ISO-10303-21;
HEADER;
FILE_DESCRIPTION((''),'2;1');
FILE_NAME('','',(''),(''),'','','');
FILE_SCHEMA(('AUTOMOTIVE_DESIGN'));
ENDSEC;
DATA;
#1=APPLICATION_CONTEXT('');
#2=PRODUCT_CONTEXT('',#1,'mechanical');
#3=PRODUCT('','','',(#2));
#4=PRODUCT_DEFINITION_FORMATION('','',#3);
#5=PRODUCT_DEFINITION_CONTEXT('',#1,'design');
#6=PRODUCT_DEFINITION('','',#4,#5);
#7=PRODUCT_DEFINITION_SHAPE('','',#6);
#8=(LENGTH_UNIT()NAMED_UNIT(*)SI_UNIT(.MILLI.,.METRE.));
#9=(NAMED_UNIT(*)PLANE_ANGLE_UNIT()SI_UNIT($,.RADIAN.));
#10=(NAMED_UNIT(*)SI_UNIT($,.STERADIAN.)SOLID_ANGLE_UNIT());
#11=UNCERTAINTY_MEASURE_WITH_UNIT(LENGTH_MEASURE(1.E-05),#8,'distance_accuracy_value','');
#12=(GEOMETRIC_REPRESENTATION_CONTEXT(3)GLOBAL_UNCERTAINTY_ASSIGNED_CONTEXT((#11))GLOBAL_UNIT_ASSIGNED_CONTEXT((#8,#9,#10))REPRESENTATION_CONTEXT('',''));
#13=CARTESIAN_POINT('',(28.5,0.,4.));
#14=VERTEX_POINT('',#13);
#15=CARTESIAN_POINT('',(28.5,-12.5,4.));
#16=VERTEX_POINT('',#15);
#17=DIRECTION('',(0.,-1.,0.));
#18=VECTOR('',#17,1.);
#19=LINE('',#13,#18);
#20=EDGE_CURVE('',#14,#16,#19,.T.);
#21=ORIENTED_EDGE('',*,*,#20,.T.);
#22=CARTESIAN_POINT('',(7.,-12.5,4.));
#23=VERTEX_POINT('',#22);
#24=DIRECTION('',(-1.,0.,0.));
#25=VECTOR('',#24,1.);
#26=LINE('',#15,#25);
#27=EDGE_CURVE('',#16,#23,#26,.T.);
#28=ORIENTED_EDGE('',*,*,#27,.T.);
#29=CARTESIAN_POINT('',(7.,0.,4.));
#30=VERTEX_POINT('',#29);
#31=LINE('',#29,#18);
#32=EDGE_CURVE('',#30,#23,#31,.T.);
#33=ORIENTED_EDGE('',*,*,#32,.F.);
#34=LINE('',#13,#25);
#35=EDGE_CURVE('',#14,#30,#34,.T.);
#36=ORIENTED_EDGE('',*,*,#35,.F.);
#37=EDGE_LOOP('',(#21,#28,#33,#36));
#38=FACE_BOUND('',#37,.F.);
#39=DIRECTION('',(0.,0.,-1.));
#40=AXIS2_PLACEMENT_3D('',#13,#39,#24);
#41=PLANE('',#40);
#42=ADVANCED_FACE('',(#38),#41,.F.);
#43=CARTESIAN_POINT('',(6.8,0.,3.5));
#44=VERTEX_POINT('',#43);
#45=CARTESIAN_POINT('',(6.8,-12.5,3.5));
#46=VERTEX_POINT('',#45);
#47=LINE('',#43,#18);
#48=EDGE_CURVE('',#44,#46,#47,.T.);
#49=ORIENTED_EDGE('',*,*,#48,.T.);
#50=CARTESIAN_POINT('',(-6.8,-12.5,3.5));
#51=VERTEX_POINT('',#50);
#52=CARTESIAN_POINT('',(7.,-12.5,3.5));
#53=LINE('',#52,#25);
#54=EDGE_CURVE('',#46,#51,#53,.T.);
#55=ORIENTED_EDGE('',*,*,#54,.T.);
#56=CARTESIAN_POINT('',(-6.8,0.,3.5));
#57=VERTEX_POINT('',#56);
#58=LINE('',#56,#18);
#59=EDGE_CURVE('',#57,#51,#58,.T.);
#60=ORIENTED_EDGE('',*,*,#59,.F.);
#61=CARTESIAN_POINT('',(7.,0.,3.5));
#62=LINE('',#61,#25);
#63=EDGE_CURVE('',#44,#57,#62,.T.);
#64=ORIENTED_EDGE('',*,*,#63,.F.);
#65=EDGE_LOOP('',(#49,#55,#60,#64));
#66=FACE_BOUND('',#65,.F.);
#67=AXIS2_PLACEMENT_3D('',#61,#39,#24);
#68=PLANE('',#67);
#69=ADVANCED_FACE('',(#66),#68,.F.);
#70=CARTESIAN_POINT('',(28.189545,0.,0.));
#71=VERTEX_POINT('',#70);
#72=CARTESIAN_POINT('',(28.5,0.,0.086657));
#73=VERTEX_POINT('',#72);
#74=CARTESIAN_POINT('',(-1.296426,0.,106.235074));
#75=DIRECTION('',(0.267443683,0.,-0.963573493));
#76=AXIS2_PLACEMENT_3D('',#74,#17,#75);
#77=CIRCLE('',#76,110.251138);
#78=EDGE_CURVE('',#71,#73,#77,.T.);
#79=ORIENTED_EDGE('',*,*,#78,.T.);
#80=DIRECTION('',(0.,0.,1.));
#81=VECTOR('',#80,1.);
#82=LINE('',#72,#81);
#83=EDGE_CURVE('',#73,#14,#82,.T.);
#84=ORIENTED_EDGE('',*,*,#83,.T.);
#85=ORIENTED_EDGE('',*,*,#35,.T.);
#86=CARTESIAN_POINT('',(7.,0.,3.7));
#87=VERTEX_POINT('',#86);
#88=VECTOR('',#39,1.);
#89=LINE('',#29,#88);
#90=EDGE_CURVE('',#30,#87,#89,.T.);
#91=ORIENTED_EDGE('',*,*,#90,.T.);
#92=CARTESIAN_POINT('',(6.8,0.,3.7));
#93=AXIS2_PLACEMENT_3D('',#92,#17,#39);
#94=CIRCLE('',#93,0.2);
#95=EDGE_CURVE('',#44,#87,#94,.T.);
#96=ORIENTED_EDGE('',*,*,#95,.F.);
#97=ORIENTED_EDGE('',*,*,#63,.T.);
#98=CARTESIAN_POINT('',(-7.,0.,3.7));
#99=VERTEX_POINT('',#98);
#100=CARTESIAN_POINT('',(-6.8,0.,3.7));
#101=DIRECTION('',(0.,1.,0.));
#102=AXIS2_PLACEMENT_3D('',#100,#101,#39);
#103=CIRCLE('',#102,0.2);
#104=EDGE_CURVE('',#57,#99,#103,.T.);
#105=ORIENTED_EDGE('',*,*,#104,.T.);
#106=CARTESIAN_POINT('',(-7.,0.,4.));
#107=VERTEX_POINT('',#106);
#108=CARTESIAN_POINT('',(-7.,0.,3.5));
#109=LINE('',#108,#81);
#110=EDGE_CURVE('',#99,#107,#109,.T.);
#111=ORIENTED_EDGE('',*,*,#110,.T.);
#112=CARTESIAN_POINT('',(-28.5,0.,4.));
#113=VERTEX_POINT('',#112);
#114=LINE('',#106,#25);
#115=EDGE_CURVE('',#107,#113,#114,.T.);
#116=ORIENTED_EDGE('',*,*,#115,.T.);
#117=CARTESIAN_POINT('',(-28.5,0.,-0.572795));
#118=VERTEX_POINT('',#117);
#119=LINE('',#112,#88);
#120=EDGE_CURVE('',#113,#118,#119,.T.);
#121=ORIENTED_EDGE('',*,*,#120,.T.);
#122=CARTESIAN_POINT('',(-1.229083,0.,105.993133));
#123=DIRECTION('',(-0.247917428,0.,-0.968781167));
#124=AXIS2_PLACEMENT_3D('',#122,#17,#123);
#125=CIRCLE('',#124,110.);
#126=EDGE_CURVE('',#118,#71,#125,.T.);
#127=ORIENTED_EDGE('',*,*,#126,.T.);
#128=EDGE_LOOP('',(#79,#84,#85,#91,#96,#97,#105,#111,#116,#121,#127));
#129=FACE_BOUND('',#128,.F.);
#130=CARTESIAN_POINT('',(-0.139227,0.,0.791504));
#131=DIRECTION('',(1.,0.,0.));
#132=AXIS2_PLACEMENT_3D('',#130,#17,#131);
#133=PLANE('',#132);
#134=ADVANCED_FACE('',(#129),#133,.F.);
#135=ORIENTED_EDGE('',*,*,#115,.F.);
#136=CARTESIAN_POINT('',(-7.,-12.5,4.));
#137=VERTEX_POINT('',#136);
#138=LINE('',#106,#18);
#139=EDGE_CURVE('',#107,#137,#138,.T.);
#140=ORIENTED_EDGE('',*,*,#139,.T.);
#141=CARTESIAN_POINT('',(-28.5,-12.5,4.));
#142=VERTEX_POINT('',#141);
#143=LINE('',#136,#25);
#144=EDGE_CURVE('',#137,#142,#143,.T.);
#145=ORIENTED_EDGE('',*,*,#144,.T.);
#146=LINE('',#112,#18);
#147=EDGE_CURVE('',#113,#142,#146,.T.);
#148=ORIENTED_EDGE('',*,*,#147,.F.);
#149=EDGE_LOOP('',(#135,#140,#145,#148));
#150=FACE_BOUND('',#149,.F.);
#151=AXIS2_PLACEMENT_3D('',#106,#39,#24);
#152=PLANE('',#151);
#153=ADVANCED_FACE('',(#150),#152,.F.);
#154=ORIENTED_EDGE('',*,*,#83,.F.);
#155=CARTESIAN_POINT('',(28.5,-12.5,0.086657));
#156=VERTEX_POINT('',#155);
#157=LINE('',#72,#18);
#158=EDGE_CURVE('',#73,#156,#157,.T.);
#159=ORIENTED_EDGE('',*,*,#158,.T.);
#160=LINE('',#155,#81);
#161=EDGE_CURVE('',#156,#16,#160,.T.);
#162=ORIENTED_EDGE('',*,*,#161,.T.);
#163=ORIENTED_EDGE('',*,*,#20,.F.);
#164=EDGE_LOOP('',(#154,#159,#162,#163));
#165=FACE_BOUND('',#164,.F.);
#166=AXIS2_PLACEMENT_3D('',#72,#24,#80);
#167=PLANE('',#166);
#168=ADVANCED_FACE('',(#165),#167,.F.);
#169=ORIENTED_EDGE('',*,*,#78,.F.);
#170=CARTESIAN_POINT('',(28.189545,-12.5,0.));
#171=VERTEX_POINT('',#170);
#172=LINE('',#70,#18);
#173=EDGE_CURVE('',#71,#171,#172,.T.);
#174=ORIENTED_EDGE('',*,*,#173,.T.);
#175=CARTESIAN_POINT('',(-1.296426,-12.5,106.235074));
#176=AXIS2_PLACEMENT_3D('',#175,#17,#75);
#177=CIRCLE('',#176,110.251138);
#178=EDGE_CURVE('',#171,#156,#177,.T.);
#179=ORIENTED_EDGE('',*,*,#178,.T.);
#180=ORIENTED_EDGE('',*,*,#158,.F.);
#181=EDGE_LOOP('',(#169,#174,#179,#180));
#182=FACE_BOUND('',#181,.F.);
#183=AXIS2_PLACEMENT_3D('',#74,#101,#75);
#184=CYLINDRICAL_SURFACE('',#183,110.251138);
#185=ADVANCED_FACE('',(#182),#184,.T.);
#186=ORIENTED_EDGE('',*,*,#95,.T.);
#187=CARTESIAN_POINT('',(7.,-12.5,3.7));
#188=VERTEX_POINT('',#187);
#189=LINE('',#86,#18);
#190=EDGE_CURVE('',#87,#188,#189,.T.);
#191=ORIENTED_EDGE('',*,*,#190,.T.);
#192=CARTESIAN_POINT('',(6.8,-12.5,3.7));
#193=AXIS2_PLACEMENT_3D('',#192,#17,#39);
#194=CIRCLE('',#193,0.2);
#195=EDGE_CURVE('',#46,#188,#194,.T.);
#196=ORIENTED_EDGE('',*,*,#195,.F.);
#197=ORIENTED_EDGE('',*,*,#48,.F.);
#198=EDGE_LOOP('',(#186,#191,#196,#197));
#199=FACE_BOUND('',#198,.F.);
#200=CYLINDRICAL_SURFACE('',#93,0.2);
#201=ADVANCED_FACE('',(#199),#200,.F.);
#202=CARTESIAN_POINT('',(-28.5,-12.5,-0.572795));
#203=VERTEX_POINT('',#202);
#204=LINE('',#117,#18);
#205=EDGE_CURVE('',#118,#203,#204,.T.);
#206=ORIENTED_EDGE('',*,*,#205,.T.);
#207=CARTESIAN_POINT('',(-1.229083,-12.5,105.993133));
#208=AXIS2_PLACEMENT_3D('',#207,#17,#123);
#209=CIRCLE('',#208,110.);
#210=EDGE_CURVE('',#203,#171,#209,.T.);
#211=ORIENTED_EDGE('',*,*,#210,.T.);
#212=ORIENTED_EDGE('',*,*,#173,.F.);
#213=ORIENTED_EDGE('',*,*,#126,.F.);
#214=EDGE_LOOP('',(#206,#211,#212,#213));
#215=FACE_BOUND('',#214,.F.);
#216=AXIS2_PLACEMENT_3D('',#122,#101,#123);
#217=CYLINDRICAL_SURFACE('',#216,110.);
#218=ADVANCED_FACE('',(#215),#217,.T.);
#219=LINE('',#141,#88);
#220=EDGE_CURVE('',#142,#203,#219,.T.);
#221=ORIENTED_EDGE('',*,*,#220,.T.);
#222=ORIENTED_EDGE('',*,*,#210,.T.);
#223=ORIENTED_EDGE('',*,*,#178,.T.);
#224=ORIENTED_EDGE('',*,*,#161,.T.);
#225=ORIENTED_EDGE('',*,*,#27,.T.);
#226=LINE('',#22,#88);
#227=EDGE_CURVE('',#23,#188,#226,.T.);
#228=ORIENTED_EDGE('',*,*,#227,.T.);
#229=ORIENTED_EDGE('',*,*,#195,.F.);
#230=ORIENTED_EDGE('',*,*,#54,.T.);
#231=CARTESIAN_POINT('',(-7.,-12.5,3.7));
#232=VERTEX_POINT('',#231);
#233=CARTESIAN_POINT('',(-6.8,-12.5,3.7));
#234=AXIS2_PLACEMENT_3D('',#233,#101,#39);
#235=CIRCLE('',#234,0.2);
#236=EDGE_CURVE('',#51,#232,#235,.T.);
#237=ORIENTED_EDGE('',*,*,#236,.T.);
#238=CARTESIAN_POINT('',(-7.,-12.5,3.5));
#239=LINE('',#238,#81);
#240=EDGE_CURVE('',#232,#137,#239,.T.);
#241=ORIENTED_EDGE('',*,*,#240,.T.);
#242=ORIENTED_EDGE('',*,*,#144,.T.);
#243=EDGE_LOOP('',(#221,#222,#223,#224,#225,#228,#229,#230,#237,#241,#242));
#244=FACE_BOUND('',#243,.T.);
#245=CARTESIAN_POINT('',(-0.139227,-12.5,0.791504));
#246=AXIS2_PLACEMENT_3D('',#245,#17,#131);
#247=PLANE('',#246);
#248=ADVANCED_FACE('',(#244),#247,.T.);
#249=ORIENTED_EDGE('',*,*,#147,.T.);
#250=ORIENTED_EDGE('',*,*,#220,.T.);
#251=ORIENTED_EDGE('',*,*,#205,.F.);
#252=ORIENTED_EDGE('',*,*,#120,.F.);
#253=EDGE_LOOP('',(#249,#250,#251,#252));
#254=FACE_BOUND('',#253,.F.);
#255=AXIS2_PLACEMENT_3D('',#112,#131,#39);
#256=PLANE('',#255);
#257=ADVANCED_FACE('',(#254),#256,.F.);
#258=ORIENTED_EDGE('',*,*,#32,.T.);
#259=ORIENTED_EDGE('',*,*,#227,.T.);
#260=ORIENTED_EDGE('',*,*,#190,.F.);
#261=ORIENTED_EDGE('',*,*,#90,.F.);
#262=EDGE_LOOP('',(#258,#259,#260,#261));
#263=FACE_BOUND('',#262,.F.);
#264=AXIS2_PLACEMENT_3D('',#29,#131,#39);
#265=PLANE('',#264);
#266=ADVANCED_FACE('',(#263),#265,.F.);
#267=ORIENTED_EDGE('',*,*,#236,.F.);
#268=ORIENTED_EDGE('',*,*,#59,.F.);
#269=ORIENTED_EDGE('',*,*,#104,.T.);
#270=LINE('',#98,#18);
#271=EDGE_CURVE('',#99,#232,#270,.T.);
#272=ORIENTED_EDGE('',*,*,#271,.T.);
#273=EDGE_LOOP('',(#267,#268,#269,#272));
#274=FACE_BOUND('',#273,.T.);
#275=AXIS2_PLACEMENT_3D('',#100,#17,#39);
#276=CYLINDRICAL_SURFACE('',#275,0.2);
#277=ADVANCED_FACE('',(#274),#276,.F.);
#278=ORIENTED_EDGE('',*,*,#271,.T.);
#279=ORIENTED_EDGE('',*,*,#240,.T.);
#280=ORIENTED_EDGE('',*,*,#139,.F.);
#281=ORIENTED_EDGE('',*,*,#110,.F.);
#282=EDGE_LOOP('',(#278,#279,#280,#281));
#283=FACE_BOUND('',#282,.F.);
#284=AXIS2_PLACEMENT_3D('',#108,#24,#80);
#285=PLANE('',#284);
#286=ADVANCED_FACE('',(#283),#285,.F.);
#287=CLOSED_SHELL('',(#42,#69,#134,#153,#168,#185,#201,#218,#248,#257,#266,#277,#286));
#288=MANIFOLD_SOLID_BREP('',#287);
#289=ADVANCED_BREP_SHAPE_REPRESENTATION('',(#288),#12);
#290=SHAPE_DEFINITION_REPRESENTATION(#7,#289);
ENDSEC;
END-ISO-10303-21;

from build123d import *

# Parameters (mm, degrees)
F1_DEPTH = 12.5
F2_R     = 0.2
F3_R     = 0.2


with BuildPart() as f1:
    # F0 (on Front) → F1 (new body)
    with BuildSketch(Plane.XZ):
        with BuildLine():
            Line((28.5, 4), (7, 4))
            Line((7, 4), (7, 3.5))
            Line((7, 3.5), (0, 3.5))
            Line((0, 3.5), (-7, 3.5))
            Line((-7, 3.5), (-7, 4))
            Line((-7, 4), (-28.5, 4))
            Line((-28.5, 4), (-28.5, 0))
            Line((-28.5, 0), (-28.5, -0.572795))
            ThreePointArc((-28.5, -0.572795), (-0.117692, -4.001252), (28.189545, 0))
            ThreePointArc((28.189545, 0), (28.344804, 0.043215), (28.5, 0.086657))
            Line((28.5, 0.086657), (28.5, 4))
        make_face()
    extrude(amount=F1_DEPTH)

    # F2
    f2_edges = [f1.edges().sort_by_distance(p)[0] for p in [
        (-7, -6.25, 3.5),
    ]]
    fillet(f2_edges, radius=F2_R)

    # F3
    f3_edges = [f1.edges().sort_by_distance(p)[0] for p in [
        (7, -6.25, 3.5),
    ]]
    fillet(f3_edges, radius=F3_R)


solid = f1.part
